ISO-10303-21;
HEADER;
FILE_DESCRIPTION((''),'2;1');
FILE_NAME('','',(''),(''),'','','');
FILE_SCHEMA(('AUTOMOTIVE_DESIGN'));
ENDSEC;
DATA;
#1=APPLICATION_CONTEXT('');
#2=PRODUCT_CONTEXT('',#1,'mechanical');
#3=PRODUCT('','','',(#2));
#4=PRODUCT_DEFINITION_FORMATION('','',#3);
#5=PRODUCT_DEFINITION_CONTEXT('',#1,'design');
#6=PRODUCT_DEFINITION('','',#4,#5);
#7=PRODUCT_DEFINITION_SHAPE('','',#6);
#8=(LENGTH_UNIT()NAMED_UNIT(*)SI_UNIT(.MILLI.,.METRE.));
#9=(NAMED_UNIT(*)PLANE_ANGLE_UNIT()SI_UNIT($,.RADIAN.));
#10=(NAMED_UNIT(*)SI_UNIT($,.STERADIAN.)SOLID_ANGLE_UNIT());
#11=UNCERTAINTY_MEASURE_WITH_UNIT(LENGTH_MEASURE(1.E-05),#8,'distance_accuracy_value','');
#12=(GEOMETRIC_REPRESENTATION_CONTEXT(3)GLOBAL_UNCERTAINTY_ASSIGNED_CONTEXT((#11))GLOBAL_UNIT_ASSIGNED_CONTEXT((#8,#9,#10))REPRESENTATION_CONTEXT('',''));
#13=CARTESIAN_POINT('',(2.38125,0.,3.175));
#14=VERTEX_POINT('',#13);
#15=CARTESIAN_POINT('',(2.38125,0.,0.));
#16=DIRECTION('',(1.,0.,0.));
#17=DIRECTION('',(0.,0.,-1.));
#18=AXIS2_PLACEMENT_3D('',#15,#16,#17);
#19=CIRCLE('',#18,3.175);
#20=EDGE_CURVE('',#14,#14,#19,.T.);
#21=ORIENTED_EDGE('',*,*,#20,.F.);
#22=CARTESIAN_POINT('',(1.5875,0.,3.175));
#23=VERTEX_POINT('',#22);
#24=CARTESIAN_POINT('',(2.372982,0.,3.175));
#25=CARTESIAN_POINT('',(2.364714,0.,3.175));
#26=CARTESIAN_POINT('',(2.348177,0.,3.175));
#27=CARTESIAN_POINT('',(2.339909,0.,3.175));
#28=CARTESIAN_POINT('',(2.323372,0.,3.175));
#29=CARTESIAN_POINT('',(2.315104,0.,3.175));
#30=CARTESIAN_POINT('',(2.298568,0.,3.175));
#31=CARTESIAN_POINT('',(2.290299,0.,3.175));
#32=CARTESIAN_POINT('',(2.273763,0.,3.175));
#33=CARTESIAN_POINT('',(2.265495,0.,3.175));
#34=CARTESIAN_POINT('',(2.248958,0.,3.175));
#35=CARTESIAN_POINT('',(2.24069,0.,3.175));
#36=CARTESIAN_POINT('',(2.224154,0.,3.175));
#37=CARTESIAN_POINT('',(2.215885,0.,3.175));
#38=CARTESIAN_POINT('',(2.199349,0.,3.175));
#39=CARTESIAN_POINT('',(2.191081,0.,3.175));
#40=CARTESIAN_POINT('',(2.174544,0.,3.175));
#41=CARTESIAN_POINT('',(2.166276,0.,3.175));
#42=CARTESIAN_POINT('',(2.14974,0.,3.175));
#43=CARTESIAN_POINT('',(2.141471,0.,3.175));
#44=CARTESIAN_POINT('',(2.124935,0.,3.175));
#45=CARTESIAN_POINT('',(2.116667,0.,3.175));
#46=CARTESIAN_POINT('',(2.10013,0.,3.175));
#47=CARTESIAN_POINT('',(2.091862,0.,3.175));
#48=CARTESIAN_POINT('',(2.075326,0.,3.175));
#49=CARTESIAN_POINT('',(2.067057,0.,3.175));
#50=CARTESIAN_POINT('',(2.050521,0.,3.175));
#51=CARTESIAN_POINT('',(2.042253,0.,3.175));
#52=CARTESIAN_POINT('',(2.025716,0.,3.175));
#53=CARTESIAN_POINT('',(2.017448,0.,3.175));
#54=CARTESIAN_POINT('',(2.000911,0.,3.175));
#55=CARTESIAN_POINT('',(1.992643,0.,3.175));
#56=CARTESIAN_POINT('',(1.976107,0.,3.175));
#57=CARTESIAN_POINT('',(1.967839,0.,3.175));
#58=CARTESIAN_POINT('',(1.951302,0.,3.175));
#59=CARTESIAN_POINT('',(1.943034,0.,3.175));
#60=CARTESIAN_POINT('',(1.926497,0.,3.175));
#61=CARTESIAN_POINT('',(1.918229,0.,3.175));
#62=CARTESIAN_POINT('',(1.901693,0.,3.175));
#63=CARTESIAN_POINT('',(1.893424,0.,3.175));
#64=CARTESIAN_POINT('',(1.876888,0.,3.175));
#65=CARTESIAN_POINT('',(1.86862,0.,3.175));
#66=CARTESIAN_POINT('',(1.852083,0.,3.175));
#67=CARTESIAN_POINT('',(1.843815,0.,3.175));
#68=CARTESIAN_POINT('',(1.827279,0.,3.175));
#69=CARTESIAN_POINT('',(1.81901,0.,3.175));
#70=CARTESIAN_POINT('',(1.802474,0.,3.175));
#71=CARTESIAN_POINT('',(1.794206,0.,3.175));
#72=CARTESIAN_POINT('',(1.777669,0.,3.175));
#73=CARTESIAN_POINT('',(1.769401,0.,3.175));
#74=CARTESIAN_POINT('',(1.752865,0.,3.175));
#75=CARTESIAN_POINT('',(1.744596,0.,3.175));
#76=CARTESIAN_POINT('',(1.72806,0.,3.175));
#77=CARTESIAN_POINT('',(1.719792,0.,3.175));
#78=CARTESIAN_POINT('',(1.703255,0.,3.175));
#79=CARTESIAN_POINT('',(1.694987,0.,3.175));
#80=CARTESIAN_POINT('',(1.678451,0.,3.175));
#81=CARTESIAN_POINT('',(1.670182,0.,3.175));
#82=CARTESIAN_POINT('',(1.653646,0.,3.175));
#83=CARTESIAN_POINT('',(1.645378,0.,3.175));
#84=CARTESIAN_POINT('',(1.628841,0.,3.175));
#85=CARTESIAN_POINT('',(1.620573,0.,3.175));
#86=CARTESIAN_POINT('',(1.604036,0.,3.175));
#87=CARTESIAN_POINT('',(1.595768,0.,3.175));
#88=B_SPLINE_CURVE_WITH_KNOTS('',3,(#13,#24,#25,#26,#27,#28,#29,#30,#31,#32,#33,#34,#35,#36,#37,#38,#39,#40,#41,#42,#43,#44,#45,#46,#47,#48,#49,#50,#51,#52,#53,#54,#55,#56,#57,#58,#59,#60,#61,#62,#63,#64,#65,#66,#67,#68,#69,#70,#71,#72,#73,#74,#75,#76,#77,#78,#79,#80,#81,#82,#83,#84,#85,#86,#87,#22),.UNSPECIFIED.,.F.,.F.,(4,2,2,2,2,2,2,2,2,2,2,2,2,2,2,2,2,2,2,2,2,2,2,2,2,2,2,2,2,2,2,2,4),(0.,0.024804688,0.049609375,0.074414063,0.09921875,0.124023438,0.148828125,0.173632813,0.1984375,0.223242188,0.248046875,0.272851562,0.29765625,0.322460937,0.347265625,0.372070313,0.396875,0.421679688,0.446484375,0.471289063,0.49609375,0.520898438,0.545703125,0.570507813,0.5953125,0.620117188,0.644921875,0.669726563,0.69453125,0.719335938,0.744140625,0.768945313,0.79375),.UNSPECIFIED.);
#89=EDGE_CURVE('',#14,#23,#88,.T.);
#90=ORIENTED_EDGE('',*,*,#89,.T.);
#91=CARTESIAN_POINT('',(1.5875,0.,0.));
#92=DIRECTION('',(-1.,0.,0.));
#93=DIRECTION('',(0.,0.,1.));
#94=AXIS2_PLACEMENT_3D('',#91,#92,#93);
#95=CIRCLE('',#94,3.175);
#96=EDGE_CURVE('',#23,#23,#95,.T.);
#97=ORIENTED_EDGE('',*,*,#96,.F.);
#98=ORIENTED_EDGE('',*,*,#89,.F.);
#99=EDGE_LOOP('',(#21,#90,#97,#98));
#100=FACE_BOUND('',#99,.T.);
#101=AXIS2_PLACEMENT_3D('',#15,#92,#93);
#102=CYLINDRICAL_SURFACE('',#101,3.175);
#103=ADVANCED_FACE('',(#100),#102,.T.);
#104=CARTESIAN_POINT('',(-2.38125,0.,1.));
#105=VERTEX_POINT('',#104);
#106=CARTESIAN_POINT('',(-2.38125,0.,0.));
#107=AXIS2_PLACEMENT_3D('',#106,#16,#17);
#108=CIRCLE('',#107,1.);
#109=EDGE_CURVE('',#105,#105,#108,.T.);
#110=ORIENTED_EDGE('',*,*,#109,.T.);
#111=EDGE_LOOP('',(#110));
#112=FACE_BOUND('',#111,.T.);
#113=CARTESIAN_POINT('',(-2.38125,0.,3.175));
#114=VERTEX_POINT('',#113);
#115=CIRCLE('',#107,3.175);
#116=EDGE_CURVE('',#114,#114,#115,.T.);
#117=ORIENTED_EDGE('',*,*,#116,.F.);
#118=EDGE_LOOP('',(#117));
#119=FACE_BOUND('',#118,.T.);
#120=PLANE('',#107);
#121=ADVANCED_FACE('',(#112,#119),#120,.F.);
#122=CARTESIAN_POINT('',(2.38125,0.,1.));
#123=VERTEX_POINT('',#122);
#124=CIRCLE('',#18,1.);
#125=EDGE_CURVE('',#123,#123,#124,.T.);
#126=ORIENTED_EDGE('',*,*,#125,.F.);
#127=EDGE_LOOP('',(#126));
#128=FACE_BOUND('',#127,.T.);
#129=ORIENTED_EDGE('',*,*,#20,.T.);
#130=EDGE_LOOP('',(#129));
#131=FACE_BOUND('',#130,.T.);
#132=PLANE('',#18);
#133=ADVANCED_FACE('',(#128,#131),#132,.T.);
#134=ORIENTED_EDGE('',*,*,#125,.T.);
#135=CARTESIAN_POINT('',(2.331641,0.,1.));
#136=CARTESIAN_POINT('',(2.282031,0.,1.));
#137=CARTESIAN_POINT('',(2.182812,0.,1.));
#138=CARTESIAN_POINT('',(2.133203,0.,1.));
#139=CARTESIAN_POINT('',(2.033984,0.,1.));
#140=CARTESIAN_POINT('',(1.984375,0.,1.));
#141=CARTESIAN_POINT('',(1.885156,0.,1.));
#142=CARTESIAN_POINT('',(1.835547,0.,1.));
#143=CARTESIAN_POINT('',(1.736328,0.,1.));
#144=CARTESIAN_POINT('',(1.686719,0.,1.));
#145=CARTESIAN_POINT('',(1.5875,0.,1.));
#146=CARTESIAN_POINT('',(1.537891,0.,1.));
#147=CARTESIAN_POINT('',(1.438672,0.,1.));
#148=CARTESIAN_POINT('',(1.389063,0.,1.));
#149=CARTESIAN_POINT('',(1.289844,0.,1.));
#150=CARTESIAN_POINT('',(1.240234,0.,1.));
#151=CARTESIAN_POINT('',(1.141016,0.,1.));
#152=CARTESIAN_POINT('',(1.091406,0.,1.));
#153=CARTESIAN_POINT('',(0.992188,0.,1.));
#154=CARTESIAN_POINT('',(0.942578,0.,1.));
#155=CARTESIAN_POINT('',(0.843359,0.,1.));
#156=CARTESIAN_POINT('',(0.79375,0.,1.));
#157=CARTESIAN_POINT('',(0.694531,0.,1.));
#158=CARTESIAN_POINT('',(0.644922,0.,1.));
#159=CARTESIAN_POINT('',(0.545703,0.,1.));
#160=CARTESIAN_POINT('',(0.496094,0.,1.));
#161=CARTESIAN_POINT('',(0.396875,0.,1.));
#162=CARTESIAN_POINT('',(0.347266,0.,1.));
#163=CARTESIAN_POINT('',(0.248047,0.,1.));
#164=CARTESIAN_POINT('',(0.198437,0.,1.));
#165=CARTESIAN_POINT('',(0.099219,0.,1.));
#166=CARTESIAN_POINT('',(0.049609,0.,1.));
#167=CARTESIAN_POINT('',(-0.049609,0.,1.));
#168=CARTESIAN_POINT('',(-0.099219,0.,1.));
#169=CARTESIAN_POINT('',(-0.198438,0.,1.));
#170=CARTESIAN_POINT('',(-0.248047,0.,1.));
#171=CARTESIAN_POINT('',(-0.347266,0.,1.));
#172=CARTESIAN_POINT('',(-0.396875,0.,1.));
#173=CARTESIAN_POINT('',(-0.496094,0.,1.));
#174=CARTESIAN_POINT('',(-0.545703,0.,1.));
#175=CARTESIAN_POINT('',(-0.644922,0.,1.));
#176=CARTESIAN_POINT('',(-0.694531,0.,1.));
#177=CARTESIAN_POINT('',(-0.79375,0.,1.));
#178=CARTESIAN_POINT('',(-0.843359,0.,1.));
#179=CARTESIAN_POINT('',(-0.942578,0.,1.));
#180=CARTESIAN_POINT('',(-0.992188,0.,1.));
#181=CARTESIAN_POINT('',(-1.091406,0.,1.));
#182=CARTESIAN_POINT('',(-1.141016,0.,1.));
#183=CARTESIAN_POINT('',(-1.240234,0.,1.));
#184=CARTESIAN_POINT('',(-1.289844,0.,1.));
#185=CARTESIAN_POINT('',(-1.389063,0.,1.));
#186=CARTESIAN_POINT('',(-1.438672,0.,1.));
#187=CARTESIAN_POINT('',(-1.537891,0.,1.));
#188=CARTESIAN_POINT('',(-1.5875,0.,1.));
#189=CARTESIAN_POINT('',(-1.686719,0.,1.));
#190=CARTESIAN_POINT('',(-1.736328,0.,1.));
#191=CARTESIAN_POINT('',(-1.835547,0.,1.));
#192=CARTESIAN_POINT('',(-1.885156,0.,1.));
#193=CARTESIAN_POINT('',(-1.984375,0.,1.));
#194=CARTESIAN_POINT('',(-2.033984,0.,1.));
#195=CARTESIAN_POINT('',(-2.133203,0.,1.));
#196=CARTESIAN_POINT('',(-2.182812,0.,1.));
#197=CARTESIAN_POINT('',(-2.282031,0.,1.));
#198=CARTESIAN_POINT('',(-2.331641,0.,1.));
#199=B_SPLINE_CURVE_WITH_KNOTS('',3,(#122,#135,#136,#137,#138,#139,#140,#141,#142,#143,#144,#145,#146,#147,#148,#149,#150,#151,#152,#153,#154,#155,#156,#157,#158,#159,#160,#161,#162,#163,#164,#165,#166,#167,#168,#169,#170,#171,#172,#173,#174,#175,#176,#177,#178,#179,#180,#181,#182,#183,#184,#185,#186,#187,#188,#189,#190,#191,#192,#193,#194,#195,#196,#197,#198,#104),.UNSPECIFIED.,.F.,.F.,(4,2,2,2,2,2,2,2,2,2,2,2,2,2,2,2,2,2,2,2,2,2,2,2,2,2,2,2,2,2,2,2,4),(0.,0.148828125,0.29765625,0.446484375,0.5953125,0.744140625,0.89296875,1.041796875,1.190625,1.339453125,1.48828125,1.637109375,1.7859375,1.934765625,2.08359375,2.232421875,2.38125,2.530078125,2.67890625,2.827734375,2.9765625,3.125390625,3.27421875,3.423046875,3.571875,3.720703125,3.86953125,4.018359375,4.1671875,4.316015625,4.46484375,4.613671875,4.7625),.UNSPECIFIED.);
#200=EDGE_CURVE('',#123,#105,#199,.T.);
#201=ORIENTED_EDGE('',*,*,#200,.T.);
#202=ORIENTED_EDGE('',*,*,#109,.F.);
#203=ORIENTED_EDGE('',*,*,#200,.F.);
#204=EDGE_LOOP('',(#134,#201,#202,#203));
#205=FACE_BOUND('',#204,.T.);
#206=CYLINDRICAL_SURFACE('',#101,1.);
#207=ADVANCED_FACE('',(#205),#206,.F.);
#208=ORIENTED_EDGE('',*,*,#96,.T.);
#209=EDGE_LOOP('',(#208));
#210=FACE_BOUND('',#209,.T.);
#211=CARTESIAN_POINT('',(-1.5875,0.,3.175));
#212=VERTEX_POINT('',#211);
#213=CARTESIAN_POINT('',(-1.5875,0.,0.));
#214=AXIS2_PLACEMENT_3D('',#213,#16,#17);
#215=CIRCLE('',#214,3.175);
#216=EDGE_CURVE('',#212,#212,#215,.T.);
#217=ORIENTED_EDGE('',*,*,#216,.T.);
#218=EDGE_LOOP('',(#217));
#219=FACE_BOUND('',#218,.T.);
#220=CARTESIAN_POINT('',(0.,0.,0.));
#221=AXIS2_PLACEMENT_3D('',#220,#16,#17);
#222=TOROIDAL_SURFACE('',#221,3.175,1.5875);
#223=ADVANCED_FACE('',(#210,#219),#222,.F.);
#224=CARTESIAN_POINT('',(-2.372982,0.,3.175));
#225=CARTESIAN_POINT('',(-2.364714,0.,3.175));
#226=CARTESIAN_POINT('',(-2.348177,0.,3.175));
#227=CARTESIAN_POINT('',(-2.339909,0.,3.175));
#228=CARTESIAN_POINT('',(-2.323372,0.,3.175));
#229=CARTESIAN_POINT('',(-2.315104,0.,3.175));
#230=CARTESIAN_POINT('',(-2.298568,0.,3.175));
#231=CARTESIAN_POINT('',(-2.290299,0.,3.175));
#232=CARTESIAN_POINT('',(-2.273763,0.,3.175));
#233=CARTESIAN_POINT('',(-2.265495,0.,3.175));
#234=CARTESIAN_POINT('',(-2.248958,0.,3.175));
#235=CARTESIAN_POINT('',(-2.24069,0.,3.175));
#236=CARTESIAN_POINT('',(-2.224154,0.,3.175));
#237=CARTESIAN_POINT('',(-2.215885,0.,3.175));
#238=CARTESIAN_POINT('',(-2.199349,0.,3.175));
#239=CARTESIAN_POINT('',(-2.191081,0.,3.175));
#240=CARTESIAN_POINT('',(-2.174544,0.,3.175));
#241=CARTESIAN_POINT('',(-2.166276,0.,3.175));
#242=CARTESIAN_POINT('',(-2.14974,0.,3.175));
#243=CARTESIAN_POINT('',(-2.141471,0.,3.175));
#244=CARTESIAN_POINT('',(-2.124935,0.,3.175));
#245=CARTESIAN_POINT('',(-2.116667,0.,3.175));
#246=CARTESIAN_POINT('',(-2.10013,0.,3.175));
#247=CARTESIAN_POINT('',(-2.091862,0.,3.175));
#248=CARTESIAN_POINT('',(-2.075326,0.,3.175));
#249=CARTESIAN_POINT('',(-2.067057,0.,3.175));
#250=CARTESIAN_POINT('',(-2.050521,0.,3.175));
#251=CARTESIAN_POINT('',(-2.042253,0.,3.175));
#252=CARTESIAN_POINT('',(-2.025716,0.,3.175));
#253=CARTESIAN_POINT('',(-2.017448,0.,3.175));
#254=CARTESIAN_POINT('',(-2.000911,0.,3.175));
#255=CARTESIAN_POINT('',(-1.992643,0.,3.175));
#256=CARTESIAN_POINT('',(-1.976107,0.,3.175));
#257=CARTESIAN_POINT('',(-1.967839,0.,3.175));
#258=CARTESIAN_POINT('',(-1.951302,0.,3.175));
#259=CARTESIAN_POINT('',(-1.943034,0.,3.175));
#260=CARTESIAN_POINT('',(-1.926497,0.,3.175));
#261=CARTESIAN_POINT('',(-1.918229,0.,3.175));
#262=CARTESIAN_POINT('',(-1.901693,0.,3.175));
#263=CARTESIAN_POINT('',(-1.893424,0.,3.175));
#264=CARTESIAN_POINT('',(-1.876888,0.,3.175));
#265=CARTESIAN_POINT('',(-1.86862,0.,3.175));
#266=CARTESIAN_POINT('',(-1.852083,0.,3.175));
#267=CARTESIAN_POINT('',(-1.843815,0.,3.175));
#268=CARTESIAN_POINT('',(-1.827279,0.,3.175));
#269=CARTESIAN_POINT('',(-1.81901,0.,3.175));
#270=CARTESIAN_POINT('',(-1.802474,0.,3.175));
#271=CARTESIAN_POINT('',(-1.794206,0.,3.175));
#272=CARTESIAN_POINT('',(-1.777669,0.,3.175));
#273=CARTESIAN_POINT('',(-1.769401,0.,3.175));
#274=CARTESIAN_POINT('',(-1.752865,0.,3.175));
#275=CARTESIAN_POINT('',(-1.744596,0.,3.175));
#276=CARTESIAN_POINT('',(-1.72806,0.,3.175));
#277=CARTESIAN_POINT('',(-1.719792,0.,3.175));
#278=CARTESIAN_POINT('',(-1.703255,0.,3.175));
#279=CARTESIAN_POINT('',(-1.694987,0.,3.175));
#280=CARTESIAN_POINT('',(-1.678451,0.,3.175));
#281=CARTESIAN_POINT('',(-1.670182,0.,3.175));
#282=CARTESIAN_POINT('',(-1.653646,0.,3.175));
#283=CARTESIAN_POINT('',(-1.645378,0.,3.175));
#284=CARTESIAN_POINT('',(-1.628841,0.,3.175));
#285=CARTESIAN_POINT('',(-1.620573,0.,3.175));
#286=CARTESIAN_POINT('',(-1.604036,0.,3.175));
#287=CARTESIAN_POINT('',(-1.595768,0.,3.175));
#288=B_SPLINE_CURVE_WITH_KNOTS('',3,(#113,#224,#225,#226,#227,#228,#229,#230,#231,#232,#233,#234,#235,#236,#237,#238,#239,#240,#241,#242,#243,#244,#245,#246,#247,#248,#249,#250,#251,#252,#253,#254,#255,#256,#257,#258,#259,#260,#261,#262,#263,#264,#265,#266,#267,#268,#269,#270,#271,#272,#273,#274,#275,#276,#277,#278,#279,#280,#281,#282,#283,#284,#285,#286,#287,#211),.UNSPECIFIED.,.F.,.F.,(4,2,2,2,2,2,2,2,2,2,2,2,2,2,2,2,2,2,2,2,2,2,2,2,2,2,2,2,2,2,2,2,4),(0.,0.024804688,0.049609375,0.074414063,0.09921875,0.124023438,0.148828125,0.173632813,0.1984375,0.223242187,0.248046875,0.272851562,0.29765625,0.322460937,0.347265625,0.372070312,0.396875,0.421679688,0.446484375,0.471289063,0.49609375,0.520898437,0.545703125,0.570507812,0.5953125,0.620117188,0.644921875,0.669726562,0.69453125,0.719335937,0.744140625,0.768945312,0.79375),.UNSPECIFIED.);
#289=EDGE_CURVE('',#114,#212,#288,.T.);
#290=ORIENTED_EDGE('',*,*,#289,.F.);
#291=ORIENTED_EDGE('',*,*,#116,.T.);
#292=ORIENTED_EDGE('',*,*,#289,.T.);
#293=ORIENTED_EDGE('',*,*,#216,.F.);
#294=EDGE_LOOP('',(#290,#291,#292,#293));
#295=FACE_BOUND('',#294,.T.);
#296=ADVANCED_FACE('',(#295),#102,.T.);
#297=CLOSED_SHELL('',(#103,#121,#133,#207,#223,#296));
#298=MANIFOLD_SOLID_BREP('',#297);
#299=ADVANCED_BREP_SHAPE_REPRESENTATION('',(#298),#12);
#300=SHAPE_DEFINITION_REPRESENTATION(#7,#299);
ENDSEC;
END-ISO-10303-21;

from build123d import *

# Parameters (mm, degrees)
SKETCH1_R           = 3.175
SKETCH1_R_2         = 1
BOSS_EXTRUDE1_DEPTH = 2.38125
SKETCH2_R           = 1.5875


with BuildPart() as part:
    # Sketch1 → Boss-Extrude1 (new, symmetric)
    with BuildSketch(Plane(origin=(0, 0, 0), x_dir=(0, 0, -1), z_dir=(1, 0, 0))):
        with Locations(Location((0, 0, 0), (0, 0, 180))):
            Circle(SKETCH1_R)
        with Locations(Location((0, 0, 0), (0, 0, 180))):
            Circle(SKETCH1_R_2, mode=Mode.SUBTRACT)
    extrude(amount=BOSS_EXTRUDE1_DEPTH, both=True)

    # Sketch2 → Cut-Revolve1 (revolve, cut)
    with BuildSketch(Plane(origin=(0, 0, 0), x_dir=(1, 0, 0), z_dir=(0, 1, 0))):
        with Locations((0, -3.175)):
            Circle(SKETCH2_R)
    revolve(axis=Axis((2.38125, 0, 0), (-1, 0, 0)), mode=Mode.SUBTRACT)


solid = part.part
